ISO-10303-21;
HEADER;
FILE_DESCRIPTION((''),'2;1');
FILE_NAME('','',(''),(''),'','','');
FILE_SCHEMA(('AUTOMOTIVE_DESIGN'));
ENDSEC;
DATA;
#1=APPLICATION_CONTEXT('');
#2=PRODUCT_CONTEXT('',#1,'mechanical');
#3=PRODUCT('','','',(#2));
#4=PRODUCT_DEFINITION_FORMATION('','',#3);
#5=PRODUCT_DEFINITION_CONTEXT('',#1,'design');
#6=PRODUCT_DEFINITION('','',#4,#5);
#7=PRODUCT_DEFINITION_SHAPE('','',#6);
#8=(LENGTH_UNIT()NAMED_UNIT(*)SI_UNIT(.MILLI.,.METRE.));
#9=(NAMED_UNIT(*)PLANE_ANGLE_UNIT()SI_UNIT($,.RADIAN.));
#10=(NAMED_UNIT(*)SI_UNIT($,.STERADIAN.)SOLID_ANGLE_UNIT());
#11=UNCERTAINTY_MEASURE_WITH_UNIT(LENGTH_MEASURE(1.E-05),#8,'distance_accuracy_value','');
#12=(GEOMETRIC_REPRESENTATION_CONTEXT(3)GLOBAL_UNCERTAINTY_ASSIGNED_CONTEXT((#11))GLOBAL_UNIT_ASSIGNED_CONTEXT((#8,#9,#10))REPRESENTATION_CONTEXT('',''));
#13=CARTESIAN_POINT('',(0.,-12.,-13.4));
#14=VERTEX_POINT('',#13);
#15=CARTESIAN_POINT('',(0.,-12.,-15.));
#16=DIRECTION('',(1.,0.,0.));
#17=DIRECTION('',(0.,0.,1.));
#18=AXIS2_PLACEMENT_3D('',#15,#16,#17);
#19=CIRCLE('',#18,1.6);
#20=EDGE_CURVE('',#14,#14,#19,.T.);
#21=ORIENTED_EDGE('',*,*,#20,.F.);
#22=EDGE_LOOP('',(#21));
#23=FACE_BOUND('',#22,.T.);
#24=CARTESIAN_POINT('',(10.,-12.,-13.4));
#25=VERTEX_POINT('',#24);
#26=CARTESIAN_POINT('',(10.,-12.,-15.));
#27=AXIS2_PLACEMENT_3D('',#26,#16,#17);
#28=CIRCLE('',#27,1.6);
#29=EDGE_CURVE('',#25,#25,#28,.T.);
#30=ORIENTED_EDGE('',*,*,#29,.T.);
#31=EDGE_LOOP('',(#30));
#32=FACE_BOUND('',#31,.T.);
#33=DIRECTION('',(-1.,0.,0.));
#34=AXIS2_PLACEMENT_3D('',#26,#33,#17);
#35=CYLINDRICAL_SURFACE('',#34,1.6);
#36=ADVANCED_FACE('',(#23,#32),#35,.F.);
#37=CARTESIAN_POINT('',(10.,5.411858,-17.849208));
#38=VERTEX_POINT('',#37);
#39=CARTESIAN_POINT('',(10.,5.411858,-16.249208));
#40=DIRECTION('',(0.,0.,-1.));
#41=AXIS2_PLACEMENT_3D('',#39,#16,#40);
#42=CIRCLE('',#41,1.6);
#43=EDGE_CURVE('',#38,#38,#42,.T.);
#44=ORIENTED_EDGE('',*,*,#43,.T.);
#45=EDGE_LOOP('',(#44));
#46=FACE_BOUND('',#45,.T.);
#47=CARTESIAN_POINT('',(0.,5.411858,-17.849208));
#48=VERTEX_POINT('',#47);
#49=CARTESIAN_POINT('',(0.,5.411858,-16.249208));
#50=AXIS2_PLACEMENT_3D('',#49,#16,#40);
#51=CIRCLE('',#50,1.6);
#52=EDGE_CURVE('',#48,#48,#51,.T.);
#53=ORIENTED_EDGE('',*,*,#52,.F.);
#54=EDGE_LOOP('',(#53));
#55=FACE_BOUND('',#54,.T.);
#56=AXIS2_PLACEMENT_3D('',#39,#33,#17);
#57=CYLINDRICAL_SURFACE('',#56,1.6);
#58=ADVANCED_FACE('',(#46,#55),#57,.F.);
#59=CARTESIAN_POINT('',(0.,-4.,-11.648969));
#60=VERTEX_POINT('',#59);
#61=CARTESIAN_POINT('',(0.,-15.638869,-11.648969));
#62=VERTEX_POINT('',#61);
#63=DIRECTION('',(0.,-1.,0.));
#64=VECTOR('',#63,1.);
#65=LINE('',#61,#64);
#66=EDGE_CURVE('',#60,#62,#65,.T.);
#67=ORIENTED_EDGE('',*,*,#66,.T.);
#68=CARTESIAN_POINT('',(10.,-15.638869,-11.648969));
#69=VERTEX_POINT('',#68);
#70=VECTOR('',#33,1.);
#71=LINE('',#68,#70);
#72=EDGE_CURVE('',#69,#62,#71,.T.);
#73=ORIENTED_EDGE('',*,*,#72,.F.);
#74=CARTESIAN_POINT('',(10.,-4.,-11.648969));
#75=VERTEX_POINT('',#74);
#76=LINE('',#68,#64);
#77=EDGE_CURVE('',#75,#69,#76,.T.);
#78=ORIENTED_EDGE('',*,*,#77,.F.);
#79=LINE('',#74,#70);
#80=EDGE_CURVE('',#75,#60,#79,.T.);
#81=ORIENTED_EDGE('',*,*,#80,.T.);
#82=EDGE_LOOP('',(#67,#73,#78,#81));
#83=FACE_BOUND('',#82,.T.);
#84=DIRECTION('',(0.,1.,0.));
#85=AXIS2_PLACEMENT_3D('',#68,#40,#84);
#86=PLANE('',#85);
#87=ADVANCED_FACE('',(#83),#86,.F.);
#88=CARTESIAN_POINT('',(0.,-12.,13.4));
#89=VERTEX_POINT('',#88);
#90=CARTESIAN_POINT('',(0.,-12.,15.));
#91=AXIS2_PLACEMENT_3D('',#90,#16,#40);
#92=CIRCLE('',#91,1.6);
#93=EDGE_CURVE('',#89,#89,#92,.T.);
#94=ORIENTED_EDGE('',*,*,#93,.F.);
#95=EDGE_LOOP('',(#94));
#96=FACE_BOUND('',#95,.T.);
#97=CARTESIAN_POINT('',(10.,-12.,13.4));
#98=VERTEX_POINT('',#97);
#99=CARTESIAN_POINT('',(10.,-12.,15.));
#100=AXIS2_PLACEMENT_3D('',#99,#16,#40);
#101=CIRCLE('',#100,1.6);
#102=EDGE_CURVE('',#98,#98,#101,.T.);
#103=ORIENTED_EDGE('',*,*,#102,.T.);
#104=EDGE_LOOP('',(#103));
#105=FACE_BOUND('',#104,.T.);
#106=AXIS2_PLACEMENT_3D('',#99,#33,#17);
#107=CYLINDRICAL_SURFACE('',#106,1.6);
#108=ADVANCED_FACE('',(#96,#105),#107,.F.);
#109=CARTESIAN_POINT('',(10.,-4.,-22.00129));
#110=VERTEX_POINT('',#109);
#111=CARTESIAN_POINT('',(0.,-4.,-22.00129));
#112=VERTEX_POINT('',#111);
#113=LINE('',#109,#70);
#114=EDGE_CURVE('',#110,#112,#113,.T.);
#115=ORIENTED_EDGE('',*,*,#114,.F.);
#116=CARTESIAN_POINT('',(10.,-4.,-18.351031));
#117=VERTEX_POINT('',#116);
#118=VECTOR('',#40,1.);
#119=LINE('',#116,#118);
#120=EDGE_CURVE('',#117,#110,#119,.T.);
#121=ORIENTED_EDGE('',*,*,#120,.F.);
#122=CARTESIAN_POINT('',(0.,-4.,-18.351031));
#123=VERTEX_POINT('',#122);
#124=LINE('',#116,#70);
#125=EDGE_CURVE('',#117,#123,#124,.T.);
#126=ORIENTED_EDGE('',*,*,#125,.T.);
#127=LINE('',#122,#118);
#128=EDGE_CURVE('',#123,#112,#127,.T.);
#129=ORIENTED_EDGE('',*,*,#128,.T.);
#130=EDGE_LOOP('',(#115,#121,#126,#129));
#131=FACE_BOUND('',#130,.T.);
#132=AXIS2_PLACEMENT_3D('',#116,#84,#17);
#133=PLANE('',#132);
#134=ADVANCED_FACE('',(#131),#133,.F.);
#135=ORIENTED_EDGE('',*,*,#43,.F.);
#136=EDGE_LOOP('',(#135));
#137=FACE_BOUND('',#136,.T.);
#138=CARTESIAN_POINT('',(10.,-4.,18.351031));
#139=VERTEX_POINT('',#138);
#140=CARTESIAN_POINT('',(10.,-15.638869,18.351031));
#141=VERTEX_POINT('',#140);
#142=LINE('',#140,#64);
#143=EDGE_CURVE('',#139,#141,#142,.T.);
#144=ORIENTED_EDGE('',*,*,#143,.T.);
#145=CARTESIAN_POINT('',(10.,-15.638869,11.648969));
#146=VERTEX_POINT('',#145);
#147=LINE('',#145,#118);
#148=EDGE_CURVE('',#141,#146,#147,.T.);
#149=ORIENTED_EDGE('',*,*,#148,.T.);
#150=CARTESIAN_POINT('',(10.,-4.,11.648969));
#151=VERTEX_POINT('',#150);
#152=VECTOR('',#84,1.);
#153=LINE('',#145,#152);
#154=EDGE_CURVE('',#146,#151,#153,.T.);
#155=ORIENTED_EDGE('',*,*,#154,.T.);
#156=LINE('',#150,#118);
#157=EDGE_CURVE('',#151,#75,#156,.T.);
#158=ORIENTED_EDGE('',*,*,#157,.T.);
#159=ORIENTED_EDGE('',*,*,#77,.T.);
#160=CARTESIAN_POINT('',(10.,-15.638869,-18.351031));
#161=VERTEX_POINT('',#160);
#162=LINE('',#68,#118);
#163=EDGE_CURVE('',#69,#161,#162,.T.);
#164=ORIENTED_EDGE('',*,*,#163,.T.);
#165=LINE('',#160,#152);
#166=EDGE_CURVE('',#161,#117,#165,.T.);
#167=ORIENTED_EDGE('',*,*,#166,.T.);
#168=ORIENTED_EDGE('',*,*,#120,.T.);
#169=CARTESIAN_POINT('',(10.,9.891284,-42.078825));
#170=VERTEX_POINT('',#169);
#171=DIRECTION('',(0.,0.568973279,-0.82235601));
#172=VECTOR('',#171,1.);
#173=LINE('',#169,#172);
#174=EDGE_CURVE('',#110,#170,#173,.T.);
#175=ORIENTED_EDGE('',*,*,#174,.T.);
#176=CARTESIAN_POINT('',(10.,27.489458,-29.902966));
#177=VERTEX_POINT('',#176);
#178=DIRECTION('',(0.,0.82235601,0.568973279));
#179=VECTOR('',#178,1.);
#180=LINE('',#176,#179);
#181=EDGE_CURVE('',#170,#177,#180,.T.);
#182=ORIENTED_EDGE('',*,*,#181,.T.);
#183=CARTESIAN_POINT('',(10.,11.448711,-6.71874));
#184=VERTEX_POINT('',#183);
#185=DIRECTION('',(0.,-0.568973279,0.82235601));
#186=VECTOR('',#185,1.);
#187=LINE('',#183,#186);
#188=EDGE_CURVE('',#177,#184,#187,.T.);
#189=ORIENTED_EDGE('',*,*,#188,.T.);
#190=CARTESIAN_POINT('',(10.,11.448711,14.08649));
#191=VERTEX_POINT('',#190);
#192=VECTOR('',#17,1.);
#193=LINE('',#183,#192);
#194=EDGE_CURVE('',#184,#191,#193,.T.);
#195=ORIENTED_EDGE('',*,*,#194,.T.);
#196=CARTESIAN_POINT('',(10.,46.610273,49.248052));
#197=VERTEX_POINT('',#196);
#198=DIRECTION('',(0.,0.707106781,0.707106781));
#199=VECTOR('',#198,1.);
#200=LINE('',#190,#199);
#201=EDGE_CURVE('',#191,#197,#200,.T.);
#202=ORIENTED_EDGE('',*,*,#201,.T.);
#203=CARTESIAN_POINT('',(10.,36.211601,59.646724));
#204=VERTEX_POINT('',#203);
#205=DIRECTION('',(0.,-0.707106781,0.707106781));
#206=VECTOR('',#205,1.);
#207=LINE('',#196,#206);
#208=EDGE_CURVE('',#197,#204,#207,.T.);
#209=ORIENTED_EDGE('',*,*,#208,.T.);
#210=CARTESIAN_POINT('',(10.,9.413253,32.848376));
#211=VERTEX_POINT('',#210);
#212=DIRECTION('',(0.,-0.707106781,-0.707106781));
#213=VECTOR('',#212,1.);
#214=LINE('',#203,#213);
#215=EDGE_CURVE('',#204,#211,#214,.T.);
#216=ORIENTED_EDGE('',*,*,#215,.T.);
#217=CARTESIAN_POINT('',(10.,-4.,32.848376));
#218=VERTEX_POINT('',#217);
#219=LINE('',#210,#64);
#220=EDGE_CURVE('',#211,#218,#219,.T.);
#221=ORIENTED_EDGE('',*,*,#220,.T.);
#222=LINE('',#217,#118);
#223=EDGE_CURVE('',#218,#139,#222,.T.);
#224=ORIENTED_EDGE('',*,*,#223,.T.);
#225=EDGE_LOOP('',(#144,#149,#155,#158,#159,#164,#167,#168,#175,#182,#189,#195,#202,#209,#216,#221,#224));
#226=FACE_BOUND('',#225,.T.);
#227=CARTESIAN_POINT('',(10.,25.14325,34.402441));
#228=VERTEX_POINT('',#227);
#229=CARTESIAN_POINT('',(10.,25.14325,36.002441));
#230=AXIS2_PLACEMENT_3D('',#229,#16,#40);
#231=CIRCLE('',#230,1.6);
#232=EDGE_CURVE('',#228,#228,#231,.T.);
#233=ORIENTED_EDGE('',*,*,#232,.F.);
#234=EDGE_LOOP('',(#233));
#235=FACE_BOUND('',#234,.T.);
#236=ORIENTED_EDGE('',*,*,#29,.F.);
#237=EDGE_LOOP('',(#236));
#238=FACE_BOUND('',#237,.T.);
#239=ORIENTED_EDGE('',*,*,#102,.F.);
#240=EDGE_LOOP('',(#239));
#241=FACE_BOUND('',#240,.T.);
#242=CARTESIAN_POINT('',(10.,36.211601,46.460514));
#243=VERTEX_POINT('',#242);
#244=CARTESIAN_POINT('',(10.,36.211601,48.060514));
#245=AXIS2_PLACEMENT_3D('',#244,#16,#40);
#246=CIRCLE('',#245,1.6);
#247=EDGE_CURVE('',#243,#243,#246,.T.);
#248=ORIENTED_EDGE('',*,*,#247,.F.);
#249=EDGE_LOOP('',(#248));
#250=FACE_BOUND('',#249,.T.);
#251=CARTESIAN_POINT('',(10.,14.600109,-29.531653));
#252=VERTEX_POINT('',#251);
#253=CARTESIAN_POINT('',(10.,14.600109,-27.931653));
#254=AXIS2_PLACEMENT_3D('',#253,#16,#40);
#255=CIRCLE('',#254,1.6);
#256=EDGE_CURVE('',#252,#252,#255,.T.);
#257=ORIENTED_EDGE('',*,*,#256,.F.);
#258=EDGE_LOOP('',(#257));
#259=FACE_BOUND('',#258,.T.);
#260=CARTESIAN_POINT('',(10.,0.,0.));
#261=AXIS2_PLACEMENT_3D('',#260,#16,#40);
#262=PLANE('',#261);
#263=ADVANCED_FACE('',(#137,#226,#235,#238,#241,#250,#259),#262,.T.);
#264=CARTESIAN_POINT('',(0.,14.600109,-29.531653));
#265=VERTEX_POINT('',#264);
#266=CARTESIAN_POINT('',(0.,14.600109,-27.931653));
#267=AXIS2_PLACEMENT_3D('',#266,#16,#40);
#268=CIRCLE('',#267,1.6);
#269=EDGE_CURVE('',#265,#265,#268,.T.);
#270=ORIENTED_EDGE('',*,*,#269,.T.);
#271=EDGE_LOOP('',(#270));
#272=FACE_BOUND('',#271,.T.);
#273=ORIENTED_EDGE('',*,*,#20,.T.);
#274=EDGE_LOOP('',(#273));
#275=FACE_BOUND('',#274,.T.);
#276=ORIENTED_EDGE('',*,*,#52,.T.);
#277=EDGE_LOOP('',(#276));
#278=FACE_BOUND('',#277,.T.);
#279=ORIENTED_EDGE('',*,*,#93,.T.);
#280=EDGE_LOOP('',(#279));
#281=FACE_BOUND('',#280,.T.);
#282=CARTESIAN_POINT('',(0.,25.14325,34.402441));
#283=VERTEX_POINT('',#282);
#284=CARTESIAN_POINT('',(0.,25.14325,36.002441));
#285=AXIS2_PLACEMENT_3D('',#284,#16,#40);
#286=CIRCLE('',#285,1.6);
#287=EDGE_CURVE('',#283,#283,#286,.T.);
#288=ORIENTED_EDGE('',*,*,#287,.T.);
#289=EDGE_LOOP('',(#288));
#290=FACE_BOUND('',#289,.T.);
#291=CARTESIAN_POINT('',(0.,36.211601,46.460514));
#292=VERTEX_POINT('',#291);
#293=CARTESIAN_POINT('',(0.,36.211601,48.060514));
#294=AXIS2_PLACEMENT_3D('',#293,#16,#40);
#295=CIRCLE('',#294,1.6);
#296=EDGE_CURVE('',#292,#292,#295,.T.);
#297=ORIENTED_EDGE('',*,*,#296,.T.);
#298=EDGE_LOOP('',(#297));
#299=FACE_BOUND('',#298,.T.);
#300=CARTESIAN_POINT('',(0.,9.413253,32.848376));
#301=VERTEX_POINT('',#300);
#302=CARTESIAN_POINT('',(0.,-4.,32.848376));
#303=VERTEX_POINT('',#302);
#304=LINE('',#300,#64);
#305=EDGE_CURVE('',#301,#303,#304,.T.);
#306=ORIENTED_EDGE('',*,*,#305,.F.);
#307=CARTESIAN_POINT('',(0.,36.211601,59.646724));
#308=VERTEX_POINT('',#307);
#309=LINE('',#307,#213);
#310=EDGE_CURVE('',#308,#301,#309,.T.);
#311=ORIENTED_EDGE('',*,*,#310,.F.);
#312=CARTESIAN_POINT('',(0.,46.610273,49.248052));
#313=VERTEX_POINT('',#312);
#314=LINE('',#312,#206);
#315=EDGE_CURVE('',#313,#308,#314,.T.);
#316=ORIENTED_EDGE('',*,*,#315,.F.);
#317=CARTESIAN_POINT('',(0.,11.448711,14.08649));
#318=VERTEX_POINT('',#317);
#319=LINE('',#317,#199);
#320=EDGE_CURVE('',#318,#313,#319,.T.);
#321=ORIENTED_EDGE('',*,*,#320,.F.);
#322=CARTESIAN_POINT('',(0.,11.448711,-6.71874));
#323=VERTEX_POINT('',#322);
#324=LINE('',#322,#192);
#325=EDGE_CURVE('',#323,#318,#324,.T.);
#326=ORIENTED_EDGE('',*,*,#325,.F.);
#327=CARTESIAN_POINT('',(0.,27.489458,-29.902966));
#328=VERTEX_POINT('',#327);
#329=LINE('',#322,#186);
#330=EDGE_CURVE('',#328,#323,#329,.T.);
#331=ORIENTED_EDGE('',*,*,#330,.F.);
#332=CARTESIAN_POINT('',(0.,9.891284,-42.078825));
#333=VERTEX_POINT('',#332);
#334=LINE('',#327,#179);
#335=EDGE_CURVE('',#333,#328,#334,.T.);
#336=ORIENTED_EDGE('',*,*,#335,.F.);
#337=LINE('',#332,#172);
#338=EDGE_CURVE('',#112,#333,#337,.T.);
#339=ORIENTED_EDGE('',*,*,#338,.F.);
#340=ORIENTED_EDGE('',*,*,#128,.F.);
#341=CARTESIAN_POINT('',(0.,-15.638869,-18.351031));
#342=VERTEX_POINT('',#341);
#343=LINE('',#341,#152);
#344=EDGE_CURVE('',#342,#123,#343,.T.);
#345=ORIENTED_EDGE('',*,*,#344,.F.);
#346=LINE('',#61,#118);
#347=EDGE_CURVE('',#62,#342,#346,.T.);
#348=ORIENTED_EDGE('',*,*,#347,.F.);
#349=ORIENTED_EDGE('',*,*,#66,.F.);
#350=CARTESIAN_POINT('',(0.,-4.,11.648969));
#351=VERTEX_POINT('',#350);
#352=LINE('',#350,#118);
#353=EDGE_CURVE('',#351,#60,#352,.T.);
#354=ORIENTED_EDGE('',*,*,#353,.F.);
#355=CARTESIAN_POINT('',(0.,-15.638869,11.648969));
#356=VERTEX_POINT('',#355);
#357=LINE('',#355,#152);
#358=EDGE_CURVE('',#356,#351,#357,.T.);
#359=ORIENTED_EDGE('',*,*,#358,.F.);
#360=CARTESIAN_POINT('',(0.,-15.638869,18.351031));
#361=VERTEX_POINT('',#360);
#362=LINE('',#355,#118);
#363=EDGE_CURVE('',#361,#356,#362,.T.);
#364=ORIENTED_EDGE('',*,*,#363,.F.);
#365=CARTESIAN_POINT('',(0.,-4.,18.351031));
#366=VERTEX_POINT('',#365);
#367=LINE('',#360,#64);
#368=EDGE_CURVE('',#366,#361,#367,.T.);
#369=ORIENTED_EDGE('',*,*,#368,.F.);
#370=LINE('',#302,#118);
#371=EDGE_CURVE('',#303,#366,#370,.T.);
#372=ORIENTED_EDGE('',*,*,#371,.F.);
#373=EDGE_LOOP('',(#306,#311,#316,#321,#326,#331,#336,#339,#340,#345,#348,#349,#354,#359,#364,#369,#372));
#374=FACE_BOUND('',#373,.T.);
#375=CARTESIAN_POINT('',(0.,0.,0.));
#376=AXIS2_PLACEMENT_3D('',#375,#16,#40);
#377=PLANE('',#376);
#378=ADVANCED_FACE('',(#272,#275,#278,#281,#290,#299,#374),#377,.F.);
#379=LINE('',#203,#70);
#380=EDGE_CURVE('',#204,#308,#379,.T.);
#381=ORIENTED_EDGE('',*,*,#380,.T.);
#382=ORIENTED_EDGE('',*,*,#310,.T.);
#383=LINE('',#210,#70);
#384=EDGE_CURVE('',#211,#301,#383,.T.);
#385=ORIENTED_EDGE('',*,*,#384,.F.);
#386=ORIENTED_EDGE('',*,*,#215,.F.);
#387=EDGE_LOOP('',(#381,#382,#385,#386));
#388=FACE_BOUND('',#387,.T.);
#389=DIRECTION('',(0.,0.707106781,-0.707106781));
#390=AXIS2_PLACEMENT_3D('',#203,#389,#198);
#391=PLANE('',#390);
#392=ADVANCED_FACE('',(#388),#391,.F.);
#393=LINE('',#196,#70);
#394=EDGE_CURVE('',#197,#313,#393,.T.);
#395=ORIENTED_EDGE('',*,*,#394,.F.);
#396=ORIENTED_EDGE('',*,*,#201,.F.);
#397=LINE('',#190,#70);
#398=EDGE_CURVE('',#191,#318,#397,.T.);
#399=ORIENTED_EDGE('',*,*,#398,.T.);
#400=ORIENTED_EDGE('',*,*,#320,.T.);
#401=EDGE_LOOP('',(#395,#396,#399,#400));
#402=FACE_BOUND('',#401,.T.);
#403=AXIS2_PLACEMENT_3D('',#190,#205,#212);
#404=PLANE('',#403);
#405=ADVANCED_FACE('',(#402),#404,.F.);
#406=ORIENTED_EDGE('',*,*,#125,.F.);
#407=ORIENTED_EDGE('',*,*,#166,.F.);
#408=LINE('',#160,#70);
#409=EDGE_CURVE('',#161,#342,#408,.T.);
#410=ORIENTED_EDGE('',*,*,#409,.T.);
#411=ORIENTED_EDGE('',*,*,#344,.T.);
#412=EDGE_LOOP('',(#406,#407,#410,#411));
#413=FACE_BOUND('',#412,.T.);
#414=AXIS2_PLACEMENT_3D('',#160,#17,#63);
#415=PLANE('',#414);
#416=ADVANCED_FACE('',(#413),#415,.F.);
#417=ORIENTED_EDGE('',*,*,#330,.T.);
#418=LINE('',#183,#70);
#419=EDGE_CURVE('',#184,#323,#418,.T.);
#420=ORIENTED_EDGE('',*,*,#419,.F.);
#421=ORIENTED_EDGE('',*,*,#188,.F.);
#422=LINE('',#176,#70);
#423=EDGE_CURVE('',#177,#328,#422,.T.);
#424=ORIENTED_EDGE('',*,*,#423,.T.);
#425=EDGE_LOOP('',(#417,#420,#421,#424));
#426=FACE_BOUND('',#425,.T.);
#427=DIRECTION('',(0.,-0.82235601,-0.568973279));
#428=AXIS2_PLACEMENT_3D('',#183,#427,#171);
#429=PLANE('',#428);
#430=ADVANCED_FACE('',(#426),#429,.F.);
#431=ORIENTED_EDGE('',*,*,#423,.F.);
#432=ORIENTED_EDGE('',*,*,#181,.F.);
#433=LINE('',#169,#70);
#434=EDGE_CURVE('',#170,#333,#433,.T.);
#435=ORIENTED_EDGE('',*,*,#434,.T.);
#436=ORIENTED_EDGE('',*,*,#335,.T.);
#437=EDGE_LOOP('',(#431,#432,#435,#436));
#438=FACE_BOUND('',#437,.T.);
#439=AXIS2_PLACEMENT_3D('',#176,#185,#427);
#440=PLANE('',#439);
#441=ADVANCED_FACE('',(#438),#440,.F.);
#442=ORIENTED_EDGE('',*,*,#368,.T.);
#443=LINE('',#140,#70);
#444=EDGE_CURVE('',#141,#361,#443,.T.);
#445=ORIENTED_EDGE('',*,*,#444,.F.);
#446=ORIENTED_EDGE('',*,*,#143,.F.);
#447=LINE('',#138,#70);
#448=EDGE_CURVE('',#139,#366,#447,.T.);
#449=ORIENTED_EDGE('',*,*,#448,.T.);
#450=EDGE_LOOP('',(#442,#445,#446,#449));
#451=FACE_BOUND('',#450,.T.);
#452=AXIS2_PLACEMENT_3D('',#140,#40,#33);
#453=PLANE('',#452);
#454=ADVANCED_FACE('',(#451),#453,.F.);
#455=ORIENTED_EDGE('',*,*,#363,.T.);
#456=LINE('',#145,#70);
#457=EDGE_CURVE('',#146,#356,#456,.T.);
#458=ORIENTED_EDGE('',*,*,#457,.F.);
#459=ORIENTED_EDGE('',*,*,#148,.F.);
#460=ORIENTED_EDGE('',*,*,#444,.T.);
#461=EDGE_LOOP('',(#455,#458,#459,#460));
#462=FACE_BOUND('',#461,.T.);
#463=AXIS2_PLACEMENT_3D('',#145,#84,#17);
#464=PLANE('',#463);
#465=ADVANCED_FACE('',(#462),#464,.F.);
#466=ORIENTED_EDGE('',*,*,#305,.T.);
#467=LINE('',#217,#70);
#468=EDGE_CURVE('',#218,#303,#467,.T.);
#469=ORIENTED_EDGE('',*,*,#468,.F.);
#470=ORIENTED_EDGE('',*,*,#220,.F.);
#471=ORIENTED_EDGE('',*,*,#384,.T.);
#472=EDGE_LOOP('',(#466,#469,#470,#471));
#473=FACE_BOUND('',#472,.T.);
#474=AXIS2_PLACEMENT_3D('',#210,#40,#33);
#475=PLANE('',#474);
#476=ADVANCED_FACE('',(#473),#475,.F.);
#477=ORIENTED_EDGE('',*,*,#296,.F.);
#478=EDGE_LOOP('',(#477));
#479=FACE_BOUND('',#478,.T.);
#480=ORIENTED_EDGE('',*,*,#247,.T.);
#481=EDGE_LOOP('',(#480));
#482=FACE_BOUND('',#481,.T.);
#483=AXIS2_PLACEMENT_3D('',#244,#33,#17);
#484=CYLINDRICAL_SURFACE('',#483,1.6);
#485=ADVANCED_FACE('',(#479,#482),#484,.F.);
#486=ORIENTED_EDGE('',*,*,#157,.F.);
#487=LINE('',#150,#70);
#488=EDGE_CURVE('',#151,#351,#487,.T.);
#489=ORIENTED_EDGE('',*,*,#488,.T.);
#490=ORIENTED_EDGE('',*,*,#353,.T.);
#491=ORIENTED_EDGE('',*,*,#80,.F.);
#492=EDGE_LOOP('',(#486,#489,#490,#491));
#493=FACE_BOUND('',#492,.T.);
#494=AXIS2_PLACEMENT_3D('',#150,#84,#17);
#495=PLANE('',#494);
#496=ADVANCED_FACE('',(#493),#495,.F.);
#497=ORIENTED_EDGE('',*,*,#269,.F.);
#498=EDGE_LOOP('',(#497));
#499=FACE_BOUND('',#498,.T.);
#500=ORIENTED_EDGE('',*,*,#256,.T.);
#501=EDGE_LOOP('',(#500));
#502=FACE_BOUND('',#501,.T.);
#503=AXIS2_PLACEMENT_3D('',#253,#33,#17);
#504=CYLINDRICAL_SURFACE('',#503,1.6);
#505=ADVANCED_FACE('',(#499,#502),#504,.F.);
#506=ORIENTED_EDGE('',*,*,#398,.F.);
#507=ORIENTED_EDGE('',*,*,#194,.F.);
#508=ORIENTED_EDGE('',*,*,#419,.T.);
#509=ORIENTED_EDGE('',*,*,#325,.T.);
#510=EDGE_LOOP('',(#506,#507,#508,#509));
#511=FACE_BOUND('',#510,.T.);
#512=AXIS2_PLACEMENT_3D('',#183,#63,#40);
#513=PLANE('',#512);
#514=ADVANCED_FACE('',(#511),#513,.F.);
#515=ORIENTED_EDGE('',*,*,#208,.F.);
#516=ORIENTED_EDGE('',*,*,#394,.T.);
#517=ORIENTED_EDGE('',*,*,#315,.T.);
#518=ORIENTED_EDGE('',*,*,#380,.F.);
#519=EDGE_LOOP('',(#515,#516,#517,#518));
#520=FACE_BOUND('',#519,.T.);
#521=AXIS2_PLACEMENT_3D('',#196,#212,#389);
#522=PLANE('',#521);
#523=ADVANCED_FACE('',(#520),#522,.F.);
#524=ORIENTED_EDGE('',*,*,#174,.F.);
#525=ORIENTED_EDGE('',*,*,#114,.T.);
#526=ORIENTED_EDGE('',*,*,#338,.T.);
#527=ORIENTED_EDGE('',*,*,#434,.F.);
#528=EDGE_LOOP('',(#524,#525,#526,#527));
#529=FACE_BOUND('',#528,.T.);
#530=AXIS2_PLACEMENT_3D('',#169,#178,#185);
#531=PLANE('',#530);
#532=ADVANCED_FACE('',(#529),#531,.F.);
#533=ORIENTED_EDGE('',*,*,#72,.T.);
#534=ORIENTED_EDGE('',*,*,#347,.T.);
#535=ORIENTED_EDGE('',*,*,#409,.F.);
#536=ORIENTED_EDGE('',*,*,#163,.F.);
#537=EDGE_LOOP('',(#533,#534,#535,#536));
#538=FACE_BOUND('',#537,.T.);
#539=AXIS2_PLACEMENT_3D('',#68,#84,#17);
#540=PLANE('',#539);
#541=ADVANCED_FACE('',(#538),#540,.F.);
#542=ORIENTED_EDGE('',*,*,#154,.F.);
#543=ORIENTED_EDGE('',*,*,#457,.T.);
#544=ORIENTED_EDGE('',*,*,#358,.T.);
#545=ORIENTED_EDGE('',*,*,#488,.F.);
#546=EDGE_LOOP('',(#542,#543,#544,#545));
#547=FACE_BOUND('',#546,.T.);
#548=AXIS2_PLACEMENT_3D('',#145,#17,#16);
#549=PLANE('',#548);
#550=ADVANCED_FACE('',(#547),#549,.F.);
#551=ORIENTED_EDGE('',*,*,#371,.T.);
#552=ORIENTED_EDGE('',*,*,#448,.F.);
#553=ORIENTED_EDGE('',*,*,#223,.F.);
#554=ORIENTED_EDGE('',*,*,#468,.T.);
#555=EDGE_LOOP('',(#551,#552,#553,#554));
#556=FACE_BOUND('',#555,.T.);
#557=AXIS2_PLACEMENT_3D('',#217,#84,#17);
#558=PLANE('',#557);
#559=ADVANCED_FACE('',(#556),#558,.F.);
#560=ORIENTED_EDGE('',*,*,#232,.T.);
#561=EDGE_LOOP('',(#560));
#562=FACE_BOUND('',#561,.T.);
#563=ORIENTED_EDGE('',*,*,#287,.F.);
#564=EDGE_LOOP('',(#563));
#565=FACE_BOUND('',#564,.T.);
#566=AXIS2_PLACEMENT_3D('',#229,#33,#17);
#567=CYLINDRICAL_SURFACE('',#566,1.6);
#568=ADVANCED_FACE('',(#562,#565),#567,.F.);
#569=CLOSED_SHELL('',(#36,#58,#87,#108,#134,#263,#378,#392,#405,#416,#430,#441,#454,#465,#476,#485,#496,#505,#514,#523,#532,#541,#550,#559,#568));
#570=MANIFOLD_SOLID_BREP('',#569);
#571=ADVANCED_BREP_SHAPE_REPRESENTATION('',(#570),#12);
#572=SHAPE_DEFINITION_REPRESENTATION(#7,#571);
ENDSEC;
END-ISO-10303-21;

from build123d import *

# Parameters (mm, degrees)
SKETCH_1_R      = 1.6
EXTRUDE_1_DEPTH = 10


with BuildPart() as part:
    # 草图1 → 凸台-拉伸1 (new body)
    with BuildSketch(Plane(origin=(0, 0, 0), x_dir=(0, 0, -1), z_dir=(1, 0, 0))):
        Polygon((-11.648969443, -15.638868598), (-18.351030557, -15.638868598), (-18.351030557, -4), (-32.84837567, -4), (-32.84837567, 9.413253291), (-59.646723814, 36.211601436), (-49.248051864, 46.610273387), (-14.086489785, 11.448711308), (6.718740299, 11.448711308), (29.902965659, 27.489458326), (42.078824949, 9.89128379), (22.001290309, -4), (18.351030557, -4), (18.351030557, -15.638868598), (11.648969443, -15.638868598), (11.648969443, -4), (-11.648969443, -4), align=None)
        with Locations((-15, -12)):
            Circle(SKETCH_1_R, mode=Mode.SUBTRACT)
        with Locations(Location((15, -12, 0), (0, 0, 180))):
            Circle(SKETCH_1_R, mode=Mode.SUBTRACT)
        with Locations((-48.060514381, 36.211601436)):
            Circle(SKETCH_1_R, mode=Mode.SUBTRACT)
        with Locations((-36.002441477, 25.143249656)):
            Circle(SKETCH_1_R, mode=Mode.SUBTRACT)
        with Locations((16.249207774, 5.411857631)):
            Circle(SKETCH_1_R, mode=Mode.SUBTRACT)
        with Locations((27.931653437, 14.600109184)):
            Circle(SKETCH_1_R, mode=Mode.SUBTRACT)
    extrude(amount=EXTRUDE_1_DEPTH)


solid = part.part
